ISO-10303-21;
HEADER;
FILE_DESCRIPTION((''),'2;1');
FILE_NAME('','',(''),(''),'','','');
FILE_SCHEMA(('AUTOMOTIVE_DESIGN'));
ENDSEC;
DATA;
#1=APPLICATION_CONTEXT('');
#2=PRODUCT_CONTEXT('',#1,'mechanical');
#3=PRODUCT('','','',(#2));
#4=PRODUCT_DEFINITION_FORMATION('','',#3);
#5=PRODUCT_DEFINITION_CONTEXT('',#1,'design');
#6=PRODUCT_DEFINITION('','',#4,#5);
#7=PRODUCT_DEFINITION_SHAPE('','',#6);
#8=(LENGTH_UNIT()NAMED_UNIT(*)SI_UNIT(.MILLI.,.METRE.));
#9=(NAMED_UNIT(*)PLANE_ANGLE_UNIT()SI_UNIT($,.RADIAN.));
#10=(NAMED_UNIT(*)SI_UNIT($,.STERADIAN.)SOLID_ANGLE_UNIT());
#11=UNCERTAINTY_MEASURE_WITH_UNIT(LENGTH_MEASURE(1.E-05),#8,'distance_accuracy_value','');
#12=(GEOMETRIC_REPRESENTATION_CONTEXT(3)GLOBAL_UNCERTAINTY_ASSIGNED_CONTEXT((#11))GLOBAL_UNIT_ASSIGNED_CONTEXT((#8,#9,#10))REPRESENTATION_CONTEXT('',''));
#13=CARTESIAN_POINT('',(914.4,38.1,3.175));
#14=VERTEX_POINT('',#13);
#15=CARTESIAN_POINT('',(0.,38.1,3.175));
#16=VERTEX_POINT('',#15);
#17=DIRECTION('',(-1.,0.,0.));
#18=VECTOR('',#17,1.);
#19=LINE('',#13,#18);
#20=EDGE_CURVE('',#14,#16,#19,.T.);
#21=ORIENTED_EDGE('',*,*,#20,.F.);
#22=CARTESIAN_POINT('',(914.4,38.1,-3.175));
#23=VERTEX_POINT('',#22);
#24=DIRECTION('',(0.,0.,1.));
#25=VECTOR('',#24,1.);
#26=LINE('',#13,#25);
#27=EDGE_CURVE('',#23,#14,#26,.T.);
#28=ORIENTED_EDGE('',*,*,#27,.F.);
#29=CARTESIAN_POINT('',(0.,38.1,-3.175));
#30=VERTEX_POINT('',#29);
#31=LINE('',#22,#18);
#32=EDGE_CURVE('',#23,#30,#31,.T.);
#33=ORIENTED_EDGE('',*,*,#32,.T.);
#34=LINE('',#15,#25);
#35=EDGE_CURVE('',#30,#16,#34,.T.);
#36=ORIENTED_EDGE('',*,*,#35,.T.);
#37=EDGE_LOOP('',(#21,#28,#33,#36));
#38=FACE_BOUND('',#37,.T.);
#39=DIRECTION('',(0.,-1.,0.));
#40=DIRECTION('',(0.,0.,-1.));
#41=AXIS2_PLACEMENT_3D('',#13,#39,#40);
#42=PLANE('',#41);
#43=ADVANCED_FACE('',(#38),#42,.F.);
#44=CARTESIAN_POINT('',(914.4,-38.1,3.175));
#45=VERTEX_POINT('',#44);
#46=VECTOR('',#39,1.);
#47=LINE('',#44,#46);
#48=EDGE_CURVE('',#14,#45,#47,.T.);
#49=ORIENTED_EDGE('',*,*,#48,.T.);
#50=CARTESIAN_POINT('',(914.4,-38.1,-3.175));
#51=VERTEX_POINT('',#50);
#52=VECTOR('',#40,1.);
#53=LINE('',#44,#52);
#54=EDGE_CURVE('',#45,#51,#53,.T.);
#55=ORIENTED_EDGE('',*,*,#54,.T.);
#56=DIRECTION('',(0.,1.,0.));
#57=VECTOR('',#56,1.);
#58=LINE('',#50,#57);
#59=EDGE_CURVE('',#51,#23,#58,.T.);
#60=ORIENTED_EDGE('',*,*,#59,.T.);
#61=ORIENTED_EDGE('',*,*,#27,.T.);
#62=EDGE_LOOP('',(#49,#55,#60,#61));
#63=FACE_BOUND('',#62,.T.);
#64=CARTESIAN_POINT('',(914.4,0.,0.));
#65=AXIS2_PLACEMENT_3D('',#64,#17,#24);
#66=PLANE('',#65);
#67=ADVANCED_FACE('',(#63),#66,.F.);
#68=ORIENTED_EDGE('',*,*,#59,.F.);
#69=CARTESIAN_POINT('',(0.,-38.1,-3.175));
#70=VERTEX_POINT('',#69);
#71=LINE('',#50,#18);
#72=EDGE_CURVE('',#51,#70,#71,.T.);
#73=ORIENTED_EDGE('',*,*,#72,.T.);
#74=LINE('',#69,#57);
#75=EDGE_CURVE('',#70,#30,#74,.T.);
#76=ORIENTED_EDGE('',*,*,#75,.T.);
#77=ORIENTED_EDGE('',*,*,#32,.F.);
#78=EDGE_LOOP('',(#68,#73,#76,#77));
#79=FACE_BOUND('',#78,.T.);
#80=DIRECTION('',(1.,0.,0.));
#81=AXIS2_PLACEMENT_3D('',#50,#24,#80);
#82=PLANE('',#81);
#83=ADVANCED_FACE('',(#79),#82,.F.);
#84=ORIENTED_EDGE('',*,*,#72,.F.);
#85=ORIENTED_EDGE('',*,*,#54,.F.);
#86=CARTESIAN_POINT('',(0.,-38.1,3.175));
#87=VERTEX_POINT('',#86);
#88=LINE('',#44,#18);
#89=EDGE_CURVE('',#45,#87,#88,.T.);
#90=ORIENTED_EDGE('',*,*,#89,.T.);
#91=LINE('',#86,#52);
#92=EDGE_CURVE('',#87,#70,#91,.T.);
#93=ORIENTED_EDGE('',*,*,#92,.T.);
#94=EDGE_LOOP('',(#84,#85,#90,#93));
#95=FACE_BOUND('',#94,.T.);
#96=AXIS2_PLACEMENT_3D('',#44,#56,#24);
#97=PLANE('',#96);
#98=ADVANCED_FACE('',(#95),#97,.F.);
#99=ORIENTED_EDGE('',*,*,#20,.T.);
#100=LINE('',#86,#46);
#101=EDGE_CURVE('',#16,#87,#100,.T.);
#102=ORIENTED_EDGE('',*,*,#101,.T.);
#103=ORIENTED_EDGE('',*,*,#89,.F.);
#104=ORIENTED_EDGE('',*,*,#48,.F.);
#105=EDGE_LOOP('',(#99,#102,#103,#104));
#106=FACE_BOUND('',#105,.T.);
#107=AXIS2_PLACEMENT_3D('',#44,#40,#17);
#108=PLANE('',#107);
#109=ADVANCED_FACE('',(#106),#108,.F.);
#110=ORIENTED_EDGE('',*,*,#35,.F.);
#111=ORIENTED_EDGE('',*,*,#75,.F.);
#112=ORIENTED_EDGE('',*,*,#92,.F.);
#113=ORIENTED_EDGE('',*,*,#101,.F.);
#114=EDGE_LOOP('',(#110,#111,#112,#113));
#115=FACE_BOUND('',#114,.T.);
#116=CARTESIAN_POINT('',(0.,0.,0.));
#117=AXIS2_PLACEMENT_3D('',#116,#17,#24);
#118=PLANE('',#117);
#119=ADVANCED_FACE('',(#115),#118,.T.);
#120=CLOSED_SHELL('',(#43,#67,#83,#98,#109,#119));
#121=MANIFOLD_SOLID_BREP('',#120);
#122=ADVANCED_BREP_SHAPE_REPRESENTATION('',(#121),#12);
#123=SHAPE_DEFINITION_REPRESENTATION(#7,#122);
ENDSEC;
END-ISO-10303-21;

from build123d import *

# Parameters (mm, degrees)
SKETCH1_W           = 6.35
SKETCH1_H           = 76.2
BOSS_EXTRUDE1_DEPTH = 914.4


with BuildPart() as part:
    # Sketch1 → Boss-Extrude1 (new body)
    with BuildSketch(Plane(origin=(0, 0, 0), x_dir=(0, 0, -1), z_dir=(1, 0, 0))):
        Rectangle(SKETCH1_W, SKETCH1_H)
    extrude(amount=BOSS_EXTRUDE1_DEPTH)


solid = part.part
